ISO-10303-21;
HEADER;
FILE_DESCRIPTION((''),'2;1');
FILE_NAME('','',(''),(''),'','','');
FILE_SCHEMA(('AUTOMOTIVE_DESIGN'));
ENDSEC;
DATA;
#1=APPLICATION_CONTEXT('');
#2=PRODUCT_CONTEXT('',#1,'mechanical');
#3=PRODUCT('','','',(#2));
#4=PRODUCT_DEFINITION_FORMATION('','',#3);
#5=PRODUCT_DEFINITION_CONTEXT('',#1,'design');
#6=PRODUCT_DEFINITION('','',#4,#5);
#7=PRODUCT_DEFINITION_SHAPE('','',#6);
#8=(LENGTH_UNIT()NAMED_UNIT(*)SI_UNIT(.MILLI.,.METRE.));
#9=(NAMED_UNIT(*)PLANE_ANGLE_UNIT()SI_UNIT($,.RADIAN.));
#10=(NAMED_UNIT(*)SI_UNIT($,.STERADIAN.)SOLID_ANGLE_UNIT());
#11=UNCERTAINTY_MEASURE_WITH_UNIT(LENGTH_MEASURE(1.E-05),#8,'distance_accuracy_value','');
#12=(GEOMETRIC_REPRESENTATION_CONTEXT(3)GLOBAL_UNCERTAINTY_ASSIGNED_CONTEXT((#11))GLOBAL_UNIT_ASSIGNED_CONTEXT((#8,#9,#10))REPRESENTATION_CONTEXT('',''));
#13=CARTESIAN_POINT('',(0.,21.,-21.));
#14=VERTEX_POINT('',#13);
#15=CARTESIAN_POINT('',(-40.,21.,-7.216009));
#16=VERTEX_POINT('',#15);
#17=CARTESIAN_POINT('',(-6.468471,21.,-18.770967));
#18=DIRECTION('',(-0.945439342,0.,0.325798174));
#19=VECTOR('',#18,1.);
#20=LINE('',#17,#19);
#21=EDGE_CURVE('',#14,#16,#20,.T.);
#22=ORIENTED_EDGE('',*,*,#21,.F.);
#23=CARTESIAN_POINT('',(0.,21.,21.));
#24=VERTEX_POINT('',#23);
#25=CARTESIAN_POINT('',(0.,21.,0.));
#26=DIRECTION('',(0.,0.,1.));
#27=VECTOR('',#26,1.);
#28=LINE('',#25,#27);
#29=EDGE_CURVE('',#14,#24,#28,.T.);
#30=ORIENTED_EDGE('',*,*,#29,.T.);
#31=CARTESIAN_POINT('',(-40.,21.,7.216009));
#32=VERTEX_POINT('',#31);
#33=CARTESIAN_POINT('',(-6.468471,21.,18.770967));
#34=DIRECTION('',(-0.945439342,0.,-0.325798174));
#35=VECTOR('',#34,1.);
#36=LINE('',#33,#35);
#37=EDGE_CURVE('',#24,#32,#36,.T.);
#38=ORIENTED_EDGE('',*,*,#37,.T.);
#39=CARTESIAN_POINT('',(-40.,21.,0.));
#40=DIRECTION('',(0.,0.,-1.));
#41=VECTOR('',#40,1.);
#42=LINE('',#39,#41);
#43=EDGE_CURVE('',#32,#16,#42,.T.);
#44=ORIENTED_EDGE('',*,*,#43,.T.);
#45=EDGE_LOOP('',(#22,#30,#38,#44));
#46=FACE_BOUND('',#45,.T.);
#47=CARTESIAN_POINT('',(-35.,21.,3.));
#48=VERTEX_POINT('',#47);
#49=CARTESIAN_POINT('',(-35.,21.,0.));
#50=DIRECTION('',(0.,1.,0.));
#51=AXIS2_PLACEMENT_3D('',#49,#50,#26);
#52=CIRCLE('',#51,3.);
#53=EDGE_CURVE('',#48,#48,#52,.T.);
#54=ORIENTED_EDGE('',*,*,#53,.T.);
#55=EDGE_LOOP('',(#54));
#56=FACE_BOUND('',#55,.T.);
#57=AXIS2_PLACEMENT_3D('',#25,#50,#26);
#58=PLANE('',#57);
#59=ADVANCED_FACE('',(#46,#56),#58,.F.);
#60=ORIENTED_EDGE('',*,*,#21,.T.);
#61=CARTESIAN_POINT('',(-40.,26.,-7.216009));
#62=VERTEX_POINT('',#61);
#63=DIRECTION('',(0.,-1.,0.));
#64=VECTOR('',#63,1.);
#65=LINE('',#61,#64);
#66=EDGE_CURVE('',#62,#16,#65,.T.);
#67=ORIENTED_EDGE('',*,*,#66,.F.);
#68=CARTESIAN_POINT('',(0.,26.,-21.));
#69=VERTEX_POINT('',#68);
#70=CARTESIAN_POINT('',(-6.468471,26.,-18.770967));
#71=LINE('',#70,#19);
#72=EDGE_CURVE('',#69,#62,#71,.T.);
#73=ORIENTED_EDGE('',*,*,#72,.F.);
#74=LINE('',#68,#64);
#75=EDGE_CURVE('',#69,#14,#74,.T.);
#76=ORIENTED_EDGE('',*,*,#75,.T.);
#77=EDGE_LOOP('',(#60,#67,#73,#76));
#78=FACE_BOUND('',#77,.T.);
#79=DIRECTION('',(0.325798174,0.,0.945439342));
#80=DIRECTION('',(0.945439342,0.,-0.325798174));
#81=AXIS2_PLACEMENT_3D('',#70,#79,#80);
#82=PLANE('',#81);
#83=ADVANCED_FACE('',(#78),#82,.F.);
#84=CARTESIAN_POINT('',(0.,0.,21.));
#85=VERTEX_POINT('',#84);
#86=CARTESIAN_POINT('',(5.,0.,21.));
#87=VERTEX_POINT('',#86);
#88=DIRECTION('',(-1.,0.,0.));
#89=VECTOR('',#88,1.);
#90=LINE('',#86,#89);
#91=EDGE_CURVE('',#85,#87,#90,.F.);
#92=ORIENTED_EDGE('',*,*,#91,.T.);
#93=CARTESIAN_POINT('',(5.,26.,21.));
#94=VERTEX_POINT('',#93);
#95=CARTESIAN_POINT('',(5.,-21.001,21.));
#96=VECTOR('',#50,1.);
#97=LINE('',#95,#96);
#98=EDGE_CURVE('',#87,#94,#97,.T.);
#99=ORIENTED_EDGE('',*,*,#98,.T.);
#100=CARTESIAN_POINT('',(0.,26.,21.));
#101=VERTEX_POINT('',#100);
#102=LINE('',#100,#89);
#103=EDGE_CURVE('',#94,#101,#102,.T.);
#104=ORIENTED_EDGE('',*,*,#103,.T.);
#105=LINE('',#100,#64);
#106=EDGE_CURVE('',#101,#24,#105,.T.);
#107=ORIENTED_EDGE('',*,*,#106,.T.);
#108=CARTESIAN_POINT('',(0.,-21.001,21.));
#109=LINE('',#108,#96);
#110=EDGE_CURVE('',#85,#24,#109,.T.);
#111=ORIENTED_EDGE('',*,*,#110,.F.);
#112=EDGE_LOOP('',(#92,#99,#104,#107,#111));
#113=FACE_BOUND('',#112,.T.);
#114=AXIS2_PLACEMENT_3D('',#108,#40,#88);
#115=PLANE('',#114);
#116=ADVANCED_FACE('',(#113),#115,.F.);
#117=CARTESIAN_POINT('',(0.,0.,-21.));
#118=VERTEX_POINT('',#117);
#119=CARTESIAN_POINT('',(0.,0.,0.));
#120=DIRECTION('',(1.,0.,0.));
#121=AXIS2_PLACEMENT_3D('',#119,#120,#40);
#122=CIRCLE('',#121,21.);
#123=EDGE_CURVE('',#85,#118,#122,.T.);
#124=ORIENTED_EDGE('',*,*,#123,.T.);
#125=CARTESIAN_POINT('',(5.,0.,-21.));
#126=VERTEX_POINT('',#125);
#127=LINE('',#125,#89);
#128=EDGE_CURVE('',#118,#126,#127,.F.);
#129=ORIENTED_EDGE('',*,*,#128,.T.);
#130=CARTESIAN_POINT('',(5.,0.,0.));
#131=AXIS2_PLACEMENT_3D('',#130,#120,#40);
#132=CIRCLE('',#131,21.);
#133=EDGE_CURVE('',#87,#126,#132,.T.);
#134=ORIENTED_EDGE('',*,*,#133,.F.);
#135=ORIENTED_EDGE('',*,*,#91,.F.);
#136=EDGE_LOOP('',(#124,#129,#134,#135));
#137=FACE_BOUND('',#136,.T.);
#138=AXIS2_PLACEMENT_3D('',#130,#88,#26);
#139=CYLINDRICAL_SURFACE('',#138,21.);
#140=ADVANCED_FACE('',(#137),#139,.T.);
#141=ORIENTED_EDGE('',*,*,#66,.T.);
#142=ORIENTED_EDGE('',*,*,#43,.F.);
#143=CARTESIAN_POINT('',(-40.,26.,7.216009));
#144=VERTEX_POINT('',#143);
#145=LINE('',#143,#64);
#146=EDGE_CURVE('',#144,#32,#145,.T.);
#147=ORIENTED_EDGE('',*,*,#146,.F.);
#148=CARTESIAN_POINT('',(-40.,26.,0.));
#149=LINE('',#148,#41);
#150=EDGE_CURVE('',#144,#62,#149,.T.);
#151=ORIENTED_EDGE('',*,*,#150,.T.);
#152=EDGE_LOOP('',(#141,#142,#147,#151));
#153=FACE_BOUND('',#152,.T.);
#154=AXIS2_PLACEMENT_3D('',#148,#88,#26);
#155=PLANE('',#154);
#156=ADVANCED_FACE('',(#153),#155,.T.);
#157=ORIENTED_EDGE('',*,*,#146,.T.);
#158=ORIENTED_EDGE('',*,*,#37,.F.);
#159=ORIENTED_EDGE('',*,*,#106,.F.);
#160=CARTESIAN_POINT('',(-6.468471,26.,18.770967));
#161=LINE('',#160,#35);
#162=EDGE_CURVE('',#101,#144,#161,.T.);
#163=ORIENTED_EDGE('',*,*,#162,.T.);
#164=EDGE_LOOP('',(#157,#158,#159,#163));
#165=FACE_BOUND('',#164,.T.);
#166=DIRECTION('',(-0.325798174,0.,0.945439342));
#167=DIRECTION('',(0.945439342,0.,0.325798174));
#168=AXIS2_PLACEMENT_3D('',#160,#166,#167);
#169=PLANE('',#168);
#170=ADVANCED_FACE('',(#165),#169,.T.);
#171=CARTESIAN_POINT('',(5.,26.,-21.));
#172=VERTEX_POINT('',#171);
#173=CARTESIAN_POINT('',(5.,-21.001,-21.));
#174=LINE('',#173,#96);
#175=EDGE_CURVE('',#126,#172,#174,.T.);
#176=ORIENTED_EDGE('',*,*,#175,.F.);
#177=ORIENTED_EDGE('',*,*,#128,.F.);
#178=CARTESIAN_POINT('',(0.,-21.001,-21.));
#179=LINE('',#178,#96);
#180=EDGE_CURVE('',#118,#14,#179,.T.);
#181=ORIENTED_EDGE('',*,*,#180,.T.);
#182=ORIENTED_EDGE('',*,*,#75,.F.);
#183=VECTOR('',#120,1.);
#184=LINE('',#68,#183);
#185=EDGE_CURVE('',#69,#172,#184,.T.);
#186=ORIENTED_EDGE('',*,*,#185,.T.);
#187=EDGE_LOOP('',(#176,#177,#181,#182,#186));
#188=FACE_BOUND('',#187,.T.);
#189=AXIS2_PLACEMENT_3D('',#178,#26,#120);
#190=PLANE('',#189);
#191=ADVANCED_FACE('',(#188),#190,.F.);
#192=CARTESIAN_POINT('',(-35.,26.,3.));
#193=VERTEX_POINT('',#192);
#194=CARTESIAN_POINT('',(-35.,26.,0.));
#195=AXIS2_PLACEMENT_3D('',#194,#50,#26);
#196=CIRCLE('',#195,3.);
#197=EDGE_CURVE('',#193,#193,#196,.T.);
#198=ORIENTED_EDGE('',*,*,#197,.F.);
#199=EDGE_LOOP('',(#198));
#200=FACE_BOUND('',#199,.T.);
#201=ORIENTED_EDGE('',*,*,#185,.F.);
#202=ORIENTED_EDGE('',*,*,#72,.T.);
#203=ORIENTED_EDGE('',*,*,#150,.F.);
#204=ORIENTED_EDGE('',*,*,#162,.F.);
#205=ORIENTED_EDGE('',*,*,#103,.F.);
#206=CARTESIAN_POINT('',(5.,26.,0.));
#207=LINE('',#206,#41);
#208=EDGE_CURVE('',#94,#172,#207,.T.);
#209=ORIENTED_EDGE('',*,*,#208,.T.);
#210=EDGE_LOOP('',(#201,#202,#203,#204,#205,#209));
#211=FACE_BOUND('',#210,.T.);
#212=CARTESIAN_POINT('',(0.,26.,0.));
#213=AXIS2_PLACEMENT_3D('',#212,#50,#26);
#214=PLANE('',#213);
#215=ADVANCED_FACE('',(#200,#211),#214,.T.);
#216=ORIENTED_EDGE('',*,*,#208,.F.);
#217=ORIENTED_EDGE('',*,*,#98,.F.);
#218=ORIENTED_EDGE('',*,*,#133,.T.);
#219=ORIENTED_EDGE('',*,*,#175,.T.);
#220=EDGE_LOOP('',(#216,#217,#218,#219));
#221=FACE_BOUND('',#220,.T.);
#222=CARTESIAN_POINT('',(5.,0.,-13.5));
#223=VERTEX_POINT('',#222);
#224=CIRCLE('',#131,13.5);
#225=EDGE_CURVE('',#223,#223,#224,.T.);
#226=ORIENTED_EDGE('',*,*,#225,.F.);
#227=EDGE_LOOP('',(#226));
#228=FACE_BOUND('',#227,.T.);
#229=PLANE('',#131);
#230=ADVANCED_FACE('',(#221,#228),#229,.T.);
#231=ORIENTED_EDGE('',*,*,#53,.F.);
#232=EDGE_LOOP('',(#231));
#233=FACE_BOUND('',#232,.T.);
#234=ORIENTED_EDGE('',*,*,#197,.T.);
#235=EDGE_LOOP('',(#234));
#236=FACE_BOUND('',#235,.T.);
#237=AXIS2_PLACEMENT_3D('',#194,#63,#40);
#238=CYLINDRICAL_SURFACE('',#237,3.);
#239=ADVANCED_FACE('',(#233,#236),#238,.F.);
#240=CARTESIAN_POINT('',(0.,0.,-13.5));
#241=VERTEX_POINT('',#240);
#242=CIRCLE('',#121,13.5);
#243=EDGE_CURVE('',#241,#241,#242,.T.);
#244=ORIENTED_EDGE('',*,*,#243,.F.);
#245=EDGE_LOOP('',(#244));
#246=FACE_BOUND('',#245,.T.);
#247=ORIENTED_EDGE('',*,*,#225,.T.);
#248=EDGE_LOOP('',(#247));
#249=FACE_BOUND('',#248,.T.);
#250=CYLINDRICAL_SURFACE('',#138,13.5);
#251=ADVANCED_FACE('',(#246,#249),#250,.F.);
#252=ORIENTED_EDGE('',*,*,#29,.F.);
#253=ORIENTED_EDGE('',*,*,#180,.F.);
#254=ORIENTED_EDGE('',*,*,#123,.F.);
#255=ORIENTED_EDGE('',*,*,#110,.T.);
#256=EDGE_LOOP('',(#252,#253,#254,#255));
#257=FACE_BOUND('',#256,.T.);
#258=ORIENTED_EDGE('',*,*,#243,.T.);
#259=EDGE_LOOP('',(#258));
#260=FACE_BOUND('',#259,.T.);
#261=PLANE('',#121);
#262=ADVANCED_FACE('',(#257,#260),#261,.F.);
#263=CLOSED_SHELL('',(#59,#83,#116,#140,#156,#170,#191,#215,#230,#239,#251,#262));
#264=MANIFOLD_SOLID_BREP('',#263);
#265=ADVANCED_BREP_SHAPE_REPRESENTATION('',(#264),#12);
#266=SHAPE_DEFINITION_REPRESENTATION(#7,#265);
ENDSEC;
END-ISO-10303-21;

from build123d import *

# Parameters (mm, degrees)
SKETCH1_R                = 21
SKETCH1_R_2              = 13.5
BOSS_EXTRUDE1_DEPTH      = 5
BOSS_EXTRUDE2_REACH      = 49.223
BOSS_EXTRUDE2_END_RADIUS = 21
SKETCH2_W                = 5
SKETCH2_H                = 42
SKETCH2_3_W              = 45
SKETCH2_3_H              = 42
SKETCH2_3_R              = 3
BOSS_EXTRUDE3_DEPTH      = 5
CUT_EXTRUDE4_DEPTH       = 62.684682053


with BuildPart() as part:
    # Sketch1 → Boss-Extrude1 (new body)
    with BuildSketch(Plane(origin=(0, 0, 0), x_dir=(0, 0, -1), z_dir=(1, 0, 0))):
        Circle(SKETCH1_R)
        Circle(SKETCH1_R_2, mode=Mode.SUBTRACT)
    extrude(amount=BOSS_EXTRUDE1_DEPTH)

    # Boss-Extrude2: up to this cylinder (the profile starts outside it)
    boss_extrude2_end = Plane(origin=(2.5, 0, 0), z_dir=(-1, 0, 0)) * Cylinder(BOSS_EXTRUDE2_END_RADIUS, 141.446, mode=Mode.PRIVATE)
    # Sketch2 → Boss-Extrude2 (add, up to the surface)
    with BuildSketch(Plane(origin=(0, 21, 0), x_dir=(1, 0, 0), z_dir=(0, 1, 0)), mode=Mode.PRIVATE) as boss_extrude2_sk1:
        with Locations((2.5, 0)):
            Rectangle(SKETCH2_W, SKETCH2_H)
    boss_extrude2_tool1 = extrude(boss_extrude2_sk1.sketch, amount=-BOSS_EXTRUDE2_REACH, mode=Mode.PRIVATE) - boss_extrude2_end
    add(boss_extrude2_tool1.solids().sort_by_distance((2.5, 21, 0))[0])
    add(boss_extrude2_tool1.solids().sort_by_distance((2.5, 21, 0))[1])

    # Sketch2<3> → Boss-Extrude3 (add)
    with BuildSketch(Plane(origin=(0, 21, 0), x_dir=(1, 0, 0), z_dir=(0, 1, 0))):
        with Locations((-17.5, 0)):
            Rectangle(SKETCH2_3_W, SKETCH2_3_H)
        with Locations((-35, 0)):
            Circle(SKETCH2_3_R, mode=Mode.SUBTRACT)
    extrude(amount=BOSS_EXTRUDE3_DEPTH)

    # Sketch3 → Cut-Extrude4 (cut, through all)
    with BuildSketch(Plane.XZ.offset(-21)):
        Polygon((-40, -7.216009452), (-40, -28.471778575), (0, -28.471778575), (0, -21), align=None)
        Polygon((-40, 27.25128432), (-40, 7.216009452), (0, 21), (0, 27.25128432), align=None)
    extrude(amount=-CUT_EXTRUDE4_DEPTH, mode=Mode.SUBTRACT)


solid = part.part
